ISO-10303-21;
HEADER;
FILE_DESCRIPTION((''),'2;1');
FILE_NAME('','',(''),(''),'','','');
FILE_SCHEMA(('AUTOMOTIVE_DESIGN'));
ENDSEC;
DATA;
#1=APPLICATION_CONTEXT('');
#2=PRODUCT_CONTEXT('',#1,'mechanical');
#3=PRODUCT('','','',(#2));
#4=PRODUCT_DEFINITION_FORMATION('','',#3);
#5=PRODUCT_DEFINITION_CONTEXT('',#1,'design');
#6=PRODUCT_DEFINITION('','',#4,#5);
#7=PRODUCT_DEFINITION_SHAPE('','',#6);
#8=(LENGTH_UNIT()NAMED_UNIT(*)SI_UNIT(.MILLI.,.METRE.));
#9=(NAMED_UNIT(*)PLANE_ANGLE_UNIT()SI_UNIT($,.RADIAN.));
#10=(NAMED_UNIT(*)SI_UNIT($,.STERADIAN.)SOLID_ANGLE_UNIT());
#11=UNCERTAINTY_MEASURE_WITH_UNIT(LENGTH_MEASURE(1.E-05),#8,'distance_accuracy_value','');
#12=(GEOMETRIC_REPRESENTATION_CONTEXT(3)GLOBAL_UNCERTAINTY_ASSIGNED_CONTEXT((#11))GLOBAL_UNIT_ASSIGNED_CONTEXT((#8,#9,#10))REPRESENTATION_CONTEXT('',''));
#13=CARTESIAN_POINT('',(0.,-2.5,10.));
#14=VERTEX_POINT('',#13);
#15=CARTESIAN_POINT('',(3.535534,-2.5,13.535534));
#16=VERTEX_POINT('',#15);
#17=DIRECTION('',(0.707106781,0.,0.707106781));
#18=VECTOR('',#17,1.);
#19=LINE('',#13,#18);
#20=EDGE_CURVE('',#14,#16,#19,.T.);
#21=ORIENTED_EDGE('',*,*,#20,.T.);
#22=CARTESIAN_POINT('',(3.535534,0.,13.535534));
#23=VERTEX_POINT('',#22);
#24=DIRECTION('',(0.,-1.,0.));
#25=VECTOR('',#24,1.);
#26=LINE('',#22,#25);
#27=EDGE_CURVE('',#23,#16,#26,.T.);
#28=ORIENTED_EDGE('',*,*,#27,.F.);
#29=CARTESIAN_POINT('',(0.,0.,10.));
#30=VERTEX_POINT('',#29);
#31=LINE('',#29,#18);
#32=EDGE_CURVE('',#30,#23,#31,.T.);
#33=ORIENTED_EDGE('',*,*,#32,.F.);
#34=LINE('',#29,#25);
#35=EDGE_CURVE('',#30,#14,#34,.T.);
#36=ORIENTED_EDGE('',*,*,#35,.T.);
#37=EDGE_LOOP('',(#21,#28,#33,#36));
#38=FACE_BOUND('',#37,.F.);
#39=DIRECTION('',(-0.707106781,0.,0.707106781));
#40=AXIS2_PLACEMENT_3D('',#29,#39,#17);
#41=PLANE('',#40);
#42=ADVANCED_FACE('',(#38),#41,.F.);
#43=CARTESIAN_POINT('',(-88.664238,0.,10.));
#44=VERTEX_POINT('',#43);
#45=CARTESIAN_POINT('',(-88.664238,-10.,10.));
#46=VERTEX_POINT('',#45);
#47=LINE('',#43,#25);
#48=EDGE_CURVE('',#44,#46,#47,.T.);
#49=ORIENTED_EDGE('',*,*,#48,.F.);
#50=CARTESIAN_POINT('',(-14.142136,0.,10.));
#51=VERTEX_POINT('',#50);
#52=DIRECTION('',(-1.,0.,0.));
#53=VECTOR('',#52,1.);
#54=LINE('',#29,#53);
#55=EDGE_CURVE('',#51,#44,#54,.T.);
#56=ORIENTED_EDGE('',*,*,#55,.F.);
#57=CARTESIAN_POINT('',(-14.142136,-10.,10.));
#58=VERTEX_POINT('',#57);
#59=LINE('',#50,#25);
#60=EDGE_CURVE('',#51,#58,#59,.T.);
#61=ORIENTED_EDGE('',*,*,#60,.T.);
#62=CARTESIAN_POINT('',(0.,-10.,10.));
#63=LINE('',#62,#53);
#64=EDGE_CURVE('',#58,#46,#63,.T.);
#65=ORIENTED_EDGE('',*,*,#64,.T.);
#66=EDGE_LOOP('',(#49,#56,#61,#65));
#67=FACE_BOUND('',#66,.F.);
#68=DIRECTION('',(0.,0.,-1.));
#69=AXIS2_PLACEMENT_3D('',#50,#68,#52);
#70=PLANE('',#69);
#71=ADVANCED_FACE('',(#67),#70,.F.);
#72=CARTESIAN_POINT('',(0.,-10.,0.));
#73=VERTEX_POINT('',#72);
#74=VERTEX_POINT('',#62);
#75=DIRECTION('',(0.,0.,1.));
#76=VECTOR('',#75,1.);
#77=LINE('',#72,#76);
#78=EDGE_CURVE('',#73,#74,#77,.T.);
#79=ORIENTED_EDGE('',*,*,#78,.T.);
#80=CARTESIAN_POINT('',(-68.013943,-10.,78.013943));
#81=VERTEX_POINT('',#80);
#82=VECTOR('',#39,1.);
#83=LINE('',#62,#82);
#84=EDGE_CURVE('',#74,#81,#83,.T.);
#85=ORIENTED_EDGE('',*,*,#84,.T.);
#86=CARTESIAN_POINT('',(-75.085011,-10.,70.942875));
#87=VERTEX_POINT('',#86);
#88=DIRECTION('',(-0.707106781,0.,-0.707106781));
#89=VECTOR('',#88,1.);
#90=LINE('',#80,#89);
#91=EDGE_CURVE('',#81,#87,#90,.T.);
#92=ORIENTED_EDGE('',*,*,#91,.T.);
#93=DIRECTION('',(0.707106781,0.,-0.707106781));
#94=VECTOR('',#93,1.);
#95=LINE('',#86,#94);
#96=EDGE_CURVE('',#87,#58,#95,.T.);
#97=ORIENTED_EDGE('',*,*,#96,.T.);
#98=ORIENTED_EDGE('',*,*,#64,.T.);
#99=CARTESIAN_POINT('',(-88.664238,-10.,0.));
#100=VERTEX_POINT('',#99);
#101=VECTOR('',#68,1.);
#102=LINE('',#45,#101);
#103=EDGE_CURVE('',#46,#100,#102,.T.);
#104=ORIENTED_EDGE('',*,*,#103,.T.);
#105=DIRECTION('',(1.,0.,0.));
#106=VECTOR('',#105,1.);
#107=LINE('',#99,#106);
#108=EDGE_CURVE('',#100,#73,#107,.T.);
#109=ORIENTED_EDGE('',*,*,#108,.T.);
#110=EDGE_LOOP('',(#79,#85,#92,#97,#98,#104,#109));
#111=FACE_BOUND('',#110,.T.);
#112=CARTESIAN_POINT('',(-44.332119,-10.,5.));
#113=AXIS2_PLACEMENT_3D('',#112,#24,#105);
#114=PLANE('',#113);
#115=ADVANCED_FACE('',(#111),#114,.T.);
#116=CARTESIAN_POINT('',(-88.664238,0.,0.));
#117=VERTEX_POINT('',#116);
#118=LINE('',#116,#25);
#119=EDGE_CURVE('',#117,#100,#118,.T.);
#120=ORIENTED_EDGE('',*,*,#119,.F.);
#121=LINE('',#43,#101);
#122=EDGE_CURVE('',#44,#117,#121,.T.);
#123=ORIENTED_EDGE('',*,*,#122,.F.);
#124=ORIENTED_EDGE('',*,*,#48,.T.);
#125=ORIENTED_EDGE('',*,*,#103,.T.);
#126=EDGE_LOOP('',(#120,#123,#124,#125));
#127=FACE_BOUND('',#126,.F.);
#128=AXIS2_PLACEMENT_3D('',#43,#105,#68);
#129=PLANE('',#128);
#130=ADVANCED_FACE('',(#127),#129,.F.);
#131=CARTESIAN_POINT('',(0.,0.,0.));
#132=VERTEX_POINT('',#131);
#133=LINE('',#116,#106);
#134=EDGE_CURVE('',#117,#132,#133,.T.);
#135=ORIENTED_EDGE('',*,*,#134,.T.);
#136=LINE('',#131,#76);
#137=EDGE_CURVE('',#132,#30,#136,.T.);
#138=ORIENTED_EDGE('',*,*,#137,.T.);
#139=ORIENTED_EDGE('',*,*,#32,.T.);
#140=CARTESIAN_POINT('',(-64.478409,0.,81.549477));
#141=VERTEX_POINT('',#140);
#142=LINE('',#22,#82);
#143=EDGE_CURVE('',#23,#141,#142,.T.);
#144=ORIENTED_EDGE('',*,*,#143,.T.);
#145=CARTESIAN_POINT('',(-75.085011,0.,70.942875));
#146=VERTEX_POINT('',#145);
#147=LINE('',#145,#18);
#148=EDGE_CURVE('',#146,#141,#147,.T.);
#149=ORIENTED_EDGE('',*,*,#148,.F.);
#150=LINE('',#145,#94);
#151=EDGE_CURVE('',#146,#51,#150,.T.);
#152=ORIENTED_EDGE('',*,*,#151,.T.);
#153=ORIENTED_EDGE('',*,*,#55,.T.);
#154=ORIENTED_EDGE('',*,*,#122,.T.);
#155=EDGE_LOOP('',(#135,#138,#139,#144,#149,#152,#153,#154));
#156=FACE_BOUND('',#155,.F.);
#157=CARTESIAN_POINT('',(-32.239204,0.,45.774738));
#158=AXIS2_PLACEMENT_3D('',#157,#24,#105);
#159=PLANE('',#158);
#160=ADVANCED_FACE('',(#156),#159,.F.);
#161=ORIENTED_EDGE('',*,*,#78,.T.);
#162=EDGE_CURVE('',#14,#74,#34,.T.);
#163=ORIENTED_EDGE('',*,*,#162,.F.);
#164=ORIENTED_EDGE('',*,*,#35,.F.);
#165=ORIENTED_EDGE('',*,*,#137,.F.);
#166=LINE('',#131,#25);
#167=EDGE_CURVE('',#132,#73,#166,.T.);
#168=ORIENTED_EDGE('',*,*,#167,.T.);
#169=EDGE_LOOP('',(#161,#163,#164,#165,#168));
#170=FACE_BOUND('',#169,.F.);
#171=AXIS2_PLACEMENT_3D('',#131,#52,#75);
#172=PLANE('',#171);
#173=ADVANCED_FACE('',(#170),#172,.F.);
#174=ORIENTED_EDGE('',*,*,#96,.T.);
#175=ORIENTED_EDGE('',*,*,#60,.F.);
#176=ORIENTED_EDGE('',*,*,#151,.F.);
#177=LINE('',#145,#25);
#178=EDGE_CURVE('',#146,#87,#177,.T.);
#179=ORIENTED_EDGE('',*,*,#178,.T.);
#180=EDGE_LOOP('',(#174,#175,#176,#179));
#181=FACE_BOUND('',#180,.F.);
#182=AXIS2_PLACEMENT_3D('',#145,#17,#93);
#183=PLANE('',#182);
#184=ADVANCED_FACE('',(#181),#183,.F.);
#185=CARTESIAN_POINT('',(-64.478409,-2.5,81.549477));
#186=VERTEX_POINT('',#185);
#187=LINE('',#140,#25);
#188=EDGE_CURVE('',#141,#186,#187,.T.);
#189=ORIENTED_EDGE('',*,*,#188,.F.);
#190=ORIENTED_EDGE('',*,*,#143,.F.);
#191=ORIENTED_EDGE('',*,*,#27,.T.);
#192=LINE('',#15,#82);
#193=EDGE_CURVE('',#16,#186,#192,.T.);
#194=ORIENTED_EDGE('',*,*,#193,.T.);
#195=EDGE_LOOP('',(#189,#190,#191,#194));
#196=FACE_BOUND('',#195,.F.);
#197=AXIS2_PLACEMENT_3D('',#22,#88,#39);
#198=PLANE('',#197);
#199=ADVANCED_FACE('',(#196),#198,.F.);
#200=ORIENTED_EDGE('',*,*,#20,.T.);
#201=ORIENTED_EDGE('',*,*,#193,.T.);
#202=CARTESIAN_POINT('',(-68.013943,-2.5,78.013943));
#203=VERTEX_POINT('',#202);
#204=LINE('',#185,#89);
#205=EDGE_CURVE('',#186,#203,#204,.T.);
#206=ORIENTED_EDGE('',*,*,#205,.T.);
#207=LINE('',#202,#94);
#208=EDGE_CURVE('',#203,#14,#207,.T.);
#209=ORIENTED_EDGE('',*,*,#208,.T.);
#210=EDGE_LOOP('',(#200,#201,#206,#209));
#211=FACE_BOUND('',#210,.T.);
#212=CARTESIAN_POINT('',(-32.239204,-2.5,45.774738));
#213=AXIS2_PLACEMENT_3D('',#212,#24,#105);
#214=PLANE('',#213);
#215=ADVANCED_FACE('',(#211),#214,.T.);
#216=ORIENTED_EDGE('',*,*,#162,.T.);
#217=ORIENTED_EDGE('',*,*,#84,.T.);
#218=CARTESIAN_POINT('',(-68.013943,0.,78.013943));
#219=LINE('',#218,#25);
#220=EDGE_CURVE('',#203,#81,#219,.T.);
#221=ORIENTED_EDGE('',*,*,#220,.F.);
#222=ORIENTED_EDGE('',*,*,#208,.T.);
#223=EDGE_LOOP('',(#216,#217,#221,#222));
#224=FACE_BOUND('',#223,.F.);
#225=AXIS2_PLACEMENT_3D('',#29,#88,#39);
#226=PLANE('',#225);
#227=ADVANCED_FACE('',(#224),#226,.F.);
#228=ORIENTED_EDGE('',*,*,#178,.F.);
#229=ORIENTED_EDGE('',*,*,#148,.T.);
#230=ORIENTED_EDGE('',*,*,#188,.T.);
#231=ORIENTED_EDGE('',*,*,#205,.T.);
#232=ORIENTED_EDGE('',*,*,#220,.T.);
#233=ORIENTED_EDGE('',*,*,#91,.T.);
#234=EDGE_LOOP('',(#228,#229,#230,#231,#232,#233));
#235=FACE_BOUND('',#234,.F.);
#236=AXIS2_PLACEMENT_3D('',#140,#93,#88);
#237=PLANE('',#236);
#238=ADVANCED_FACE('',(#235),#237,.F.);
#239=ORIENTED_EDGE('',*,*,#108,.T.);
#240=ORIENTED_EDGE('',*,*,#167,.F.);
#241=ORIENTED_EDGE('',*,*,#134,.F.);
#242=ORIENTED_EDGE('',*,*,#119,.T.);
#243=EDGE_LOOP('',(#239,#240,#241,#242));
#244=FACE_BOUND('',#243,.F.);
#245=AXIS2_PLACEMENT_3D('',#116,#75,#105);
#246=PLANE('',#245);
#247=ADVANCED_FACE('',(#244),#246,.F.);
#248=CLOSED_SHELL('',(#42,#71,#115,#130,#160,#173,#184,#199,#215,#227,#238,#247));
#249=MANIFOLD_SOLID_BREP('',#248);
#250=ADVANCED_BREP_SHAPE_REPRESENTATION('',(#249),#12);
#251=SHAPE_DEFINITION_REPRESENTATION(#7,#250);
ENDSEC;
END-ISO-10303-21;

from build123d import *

# Parameters (mm, degrees)
F1_DEPTH = 10
F2_DEPTH = 2.5


with BuildPart() as f1:
    # F0 (on Front) → F1 (new body)
    with BuildSketch(Plane.XZ):
        Polygon((-88.664238, 0), (0, 0), (0, 10), (-14.142136, 10), (-88.664238, 10), align=None)
        Polygon((-14.142136, 10), (0, 10), (-68.013943, 78.013943), (-75.085011, 70.942875), align=None)
    extrude(amount=F1_DEPTH)

    # F0 (on Front) → F2 (join)
    with BuildSketch(Plane.XZ):
        Polygon((-68.013943, 78.013943), (0, 10), (3.535534, 13.535534), (-64.478409, 81.549477), align=None)
    extrude(amount=F2_DEPTH)


solid = f1.part
